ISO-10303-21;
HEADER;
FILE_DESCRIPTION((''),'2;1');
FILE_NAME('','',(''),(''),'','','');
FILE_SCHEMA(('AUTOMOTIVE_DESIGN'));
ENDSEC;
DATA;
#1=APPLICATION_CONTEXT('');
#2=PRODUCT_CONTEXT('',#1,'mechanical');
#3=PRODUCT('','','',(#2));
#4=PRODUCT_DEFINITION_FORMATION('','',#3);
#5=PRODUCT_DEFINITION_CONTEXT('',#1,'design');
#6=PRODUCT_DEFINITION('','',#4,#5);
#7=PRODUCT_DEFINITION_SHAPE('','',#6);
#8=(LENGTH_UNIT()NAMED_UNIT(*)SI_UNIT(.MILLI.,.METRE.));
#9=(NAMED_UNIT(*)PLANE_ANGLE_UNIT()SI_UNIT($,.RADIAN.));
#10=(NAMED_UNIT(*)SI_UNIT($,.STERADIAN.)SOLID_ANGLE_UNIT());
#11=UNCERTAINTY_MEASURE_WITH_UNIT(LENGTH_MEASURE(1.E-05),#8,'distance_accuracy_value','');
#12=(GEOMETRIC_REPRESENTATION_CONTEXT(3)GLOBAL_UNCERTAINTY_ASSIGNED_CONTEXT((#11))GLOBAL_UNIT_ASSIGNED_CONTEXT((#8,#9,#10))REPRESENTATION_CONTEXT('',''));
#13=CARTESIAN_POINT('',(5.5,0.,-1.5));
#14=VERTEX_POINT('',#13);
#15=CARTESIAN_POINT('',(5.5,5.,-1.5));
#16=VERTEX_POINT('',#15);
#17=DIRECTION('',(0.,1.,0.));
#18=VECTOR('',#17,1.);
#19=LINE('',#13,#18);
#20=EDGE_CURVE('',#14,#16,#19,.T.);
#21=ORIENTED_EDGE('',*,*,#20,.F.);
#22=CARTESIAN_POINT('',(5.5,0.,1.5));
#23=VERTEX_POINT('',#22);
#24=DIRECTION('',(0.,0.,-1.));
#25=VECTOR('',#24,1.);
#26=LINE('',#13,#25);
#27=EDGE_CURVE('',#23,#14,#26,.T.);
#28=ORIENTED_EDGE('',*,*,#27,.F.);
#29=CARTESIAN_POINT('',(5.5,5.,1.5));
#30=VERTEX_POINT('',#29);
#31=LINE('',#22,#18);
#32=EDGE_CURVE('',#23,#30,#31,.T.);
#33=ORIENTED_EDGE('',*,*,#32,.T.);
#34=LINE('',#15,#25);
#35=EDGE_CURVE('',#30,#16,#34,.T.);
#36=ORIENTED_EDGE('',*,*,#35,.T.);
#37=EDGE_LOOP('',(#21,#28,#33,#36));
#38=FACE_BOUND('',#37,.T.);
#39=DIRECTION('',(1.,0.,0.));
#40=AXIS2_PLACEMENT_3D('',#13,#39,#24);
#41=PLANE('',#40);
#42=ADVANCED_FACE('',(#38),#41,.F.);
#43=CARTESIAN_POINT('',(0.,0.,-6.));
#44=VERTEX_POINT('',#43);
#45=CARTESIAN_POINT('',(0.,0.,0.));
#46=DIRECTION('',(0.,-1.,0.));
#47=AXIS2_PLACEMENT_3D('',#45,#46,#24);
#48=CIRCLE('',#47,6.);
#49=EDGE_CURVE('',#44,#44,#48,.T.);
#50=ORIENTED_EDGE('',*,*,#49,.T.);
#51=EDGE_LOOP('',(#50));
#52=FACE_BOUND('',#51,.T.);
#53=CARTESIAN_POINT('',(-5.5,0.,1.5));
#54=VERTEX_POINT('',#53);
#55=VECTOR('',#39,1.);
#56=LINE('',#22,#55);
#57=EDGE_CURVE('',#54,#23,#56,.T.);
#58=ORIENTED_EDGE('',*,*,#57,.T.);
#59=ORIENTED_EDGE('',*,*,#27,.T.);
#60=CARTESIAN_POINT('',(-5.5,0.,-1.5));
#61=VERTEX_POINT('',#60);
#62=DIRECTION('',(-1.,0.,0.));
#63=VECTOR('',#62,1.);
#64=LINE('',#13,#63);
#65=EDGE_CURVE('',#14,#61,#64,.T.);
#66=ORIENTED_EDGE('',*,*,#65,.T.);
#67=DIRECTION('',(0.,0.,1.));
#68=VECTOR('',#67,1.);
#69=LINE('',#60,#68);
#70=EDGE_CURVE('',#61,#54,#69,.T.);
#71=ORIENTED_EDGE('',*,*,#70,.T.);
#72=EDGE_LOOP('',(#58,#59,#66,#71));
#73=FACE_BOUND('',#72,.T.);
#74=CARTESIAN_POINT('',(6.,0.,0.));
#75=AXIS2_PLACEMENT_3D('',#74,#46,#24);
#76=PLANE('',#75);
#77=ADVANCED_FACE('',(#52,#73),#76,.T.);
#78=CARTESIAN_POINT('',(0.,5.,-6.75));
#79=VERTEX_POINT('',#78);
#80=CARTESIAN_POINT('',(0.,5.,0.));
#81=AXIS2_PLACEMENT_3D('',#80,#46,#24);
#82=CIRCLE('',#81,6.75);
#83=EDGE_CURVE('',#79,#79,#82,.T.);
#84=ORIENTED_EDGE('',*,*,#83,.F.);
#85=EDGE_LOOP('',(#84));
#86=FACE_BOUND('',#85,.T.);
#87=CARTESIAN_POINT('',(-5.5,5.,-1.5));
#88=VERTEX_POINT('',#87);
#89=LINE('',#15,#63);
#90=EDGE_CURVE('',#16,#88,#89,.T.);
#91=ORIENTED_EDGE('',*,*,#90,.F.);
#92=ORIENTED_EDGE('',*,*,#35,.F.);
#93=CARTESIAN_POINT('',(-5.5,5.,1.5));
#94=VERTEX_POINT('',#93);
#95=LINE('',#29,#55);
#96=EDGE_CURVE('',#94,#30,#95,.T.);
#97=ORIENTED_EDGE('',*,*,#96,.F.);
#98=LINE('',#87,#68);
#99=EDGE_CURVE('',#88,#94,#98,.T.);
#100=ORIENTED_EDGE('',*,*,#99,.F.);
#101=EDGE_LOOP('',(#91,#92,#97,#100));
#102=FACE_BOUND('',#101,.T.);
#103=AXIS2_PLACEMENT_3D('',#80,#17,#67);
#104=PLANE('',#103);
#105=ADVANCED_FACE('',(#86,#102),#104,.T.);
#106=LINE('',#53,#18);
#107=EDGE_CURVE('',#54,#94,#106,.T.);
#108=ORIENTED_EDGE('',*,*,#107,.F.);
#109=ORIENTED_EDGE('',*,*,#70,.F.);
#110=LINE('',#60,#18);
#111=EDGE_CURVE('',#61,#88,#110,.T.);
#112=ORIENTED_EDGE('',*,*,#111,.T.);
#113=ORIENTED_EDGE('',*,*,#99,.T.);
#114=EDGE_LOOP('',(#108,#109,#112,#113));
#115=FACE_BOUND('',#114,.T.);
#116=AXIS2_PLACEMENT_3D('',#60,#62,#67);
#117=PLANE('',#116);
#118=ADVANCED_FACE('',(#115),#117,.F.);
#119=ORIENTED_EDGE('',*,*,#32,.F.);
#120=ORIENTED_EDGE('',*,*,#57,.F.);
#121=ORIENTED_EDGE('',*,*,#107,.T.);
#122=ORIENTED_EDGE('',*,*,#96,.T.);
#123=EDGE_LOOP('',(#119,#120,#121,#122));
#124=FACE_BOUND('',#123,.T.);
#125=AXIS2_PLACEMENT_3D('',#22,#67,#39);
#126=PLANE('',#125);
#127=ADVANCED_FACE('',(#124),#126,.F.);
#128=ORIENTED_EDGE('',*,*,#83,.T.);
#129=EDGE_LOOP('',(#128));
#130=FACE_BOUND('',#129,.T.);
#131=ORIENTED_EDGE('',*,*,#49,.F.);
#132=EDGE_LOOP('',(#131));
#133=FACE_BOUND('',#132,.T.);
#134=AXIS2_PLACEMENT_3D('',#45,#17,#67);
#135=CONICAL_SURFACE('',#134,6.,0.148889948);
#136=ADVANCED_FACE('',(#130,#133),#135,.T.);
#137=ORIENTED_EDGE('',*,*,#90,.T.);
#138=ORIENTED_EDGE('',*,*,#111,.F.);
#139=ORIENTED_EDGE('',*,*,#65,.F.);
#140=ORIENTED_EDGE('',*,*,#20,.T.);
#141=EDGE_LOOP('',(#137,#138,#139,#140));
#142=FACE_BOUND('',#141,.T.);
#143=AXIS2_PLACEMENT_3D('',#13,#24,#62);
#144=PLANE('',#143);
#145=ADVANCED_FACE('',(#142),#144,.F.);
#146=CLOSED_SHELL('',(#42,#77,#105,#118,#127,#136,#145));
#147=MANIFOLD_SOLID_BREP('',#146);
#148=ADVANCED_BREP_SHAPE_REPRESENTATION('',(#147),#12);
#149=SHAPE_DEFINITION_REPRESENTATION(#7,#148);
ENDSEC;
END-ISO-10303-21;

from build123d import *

# Parameters (mm, degrees)
SKETCH2_W          = 11
SKETCH2_H          = 3
CUT_EXTRUDE1_DEPTH = 6


with BuildPart() as part:
    # Sketch1 → Revolve1 (revolve)
    with BuildSketch(Plane.XY):
        Polygon((0, 0), (0, 5), (6.75, 5), (6, 0), align=None)
    revolve(axis=Axis((0, 0, 0), (0, 1, 0)))

    # Sketch2 → Cut-Extrude1 (cut, through all)
    with BuildSketch(Plane(origin=(0, 5, 0), x_dir=(1, 0, 0), z_dir=(0, 1, 0))):
        Rectangle(SKETCH2_W, SKETCH2_H)
    extrude(amount=-CUT_EXTRUDE1_DEPTH, mode=Mode.SUBTRACT)


solid = part.part
